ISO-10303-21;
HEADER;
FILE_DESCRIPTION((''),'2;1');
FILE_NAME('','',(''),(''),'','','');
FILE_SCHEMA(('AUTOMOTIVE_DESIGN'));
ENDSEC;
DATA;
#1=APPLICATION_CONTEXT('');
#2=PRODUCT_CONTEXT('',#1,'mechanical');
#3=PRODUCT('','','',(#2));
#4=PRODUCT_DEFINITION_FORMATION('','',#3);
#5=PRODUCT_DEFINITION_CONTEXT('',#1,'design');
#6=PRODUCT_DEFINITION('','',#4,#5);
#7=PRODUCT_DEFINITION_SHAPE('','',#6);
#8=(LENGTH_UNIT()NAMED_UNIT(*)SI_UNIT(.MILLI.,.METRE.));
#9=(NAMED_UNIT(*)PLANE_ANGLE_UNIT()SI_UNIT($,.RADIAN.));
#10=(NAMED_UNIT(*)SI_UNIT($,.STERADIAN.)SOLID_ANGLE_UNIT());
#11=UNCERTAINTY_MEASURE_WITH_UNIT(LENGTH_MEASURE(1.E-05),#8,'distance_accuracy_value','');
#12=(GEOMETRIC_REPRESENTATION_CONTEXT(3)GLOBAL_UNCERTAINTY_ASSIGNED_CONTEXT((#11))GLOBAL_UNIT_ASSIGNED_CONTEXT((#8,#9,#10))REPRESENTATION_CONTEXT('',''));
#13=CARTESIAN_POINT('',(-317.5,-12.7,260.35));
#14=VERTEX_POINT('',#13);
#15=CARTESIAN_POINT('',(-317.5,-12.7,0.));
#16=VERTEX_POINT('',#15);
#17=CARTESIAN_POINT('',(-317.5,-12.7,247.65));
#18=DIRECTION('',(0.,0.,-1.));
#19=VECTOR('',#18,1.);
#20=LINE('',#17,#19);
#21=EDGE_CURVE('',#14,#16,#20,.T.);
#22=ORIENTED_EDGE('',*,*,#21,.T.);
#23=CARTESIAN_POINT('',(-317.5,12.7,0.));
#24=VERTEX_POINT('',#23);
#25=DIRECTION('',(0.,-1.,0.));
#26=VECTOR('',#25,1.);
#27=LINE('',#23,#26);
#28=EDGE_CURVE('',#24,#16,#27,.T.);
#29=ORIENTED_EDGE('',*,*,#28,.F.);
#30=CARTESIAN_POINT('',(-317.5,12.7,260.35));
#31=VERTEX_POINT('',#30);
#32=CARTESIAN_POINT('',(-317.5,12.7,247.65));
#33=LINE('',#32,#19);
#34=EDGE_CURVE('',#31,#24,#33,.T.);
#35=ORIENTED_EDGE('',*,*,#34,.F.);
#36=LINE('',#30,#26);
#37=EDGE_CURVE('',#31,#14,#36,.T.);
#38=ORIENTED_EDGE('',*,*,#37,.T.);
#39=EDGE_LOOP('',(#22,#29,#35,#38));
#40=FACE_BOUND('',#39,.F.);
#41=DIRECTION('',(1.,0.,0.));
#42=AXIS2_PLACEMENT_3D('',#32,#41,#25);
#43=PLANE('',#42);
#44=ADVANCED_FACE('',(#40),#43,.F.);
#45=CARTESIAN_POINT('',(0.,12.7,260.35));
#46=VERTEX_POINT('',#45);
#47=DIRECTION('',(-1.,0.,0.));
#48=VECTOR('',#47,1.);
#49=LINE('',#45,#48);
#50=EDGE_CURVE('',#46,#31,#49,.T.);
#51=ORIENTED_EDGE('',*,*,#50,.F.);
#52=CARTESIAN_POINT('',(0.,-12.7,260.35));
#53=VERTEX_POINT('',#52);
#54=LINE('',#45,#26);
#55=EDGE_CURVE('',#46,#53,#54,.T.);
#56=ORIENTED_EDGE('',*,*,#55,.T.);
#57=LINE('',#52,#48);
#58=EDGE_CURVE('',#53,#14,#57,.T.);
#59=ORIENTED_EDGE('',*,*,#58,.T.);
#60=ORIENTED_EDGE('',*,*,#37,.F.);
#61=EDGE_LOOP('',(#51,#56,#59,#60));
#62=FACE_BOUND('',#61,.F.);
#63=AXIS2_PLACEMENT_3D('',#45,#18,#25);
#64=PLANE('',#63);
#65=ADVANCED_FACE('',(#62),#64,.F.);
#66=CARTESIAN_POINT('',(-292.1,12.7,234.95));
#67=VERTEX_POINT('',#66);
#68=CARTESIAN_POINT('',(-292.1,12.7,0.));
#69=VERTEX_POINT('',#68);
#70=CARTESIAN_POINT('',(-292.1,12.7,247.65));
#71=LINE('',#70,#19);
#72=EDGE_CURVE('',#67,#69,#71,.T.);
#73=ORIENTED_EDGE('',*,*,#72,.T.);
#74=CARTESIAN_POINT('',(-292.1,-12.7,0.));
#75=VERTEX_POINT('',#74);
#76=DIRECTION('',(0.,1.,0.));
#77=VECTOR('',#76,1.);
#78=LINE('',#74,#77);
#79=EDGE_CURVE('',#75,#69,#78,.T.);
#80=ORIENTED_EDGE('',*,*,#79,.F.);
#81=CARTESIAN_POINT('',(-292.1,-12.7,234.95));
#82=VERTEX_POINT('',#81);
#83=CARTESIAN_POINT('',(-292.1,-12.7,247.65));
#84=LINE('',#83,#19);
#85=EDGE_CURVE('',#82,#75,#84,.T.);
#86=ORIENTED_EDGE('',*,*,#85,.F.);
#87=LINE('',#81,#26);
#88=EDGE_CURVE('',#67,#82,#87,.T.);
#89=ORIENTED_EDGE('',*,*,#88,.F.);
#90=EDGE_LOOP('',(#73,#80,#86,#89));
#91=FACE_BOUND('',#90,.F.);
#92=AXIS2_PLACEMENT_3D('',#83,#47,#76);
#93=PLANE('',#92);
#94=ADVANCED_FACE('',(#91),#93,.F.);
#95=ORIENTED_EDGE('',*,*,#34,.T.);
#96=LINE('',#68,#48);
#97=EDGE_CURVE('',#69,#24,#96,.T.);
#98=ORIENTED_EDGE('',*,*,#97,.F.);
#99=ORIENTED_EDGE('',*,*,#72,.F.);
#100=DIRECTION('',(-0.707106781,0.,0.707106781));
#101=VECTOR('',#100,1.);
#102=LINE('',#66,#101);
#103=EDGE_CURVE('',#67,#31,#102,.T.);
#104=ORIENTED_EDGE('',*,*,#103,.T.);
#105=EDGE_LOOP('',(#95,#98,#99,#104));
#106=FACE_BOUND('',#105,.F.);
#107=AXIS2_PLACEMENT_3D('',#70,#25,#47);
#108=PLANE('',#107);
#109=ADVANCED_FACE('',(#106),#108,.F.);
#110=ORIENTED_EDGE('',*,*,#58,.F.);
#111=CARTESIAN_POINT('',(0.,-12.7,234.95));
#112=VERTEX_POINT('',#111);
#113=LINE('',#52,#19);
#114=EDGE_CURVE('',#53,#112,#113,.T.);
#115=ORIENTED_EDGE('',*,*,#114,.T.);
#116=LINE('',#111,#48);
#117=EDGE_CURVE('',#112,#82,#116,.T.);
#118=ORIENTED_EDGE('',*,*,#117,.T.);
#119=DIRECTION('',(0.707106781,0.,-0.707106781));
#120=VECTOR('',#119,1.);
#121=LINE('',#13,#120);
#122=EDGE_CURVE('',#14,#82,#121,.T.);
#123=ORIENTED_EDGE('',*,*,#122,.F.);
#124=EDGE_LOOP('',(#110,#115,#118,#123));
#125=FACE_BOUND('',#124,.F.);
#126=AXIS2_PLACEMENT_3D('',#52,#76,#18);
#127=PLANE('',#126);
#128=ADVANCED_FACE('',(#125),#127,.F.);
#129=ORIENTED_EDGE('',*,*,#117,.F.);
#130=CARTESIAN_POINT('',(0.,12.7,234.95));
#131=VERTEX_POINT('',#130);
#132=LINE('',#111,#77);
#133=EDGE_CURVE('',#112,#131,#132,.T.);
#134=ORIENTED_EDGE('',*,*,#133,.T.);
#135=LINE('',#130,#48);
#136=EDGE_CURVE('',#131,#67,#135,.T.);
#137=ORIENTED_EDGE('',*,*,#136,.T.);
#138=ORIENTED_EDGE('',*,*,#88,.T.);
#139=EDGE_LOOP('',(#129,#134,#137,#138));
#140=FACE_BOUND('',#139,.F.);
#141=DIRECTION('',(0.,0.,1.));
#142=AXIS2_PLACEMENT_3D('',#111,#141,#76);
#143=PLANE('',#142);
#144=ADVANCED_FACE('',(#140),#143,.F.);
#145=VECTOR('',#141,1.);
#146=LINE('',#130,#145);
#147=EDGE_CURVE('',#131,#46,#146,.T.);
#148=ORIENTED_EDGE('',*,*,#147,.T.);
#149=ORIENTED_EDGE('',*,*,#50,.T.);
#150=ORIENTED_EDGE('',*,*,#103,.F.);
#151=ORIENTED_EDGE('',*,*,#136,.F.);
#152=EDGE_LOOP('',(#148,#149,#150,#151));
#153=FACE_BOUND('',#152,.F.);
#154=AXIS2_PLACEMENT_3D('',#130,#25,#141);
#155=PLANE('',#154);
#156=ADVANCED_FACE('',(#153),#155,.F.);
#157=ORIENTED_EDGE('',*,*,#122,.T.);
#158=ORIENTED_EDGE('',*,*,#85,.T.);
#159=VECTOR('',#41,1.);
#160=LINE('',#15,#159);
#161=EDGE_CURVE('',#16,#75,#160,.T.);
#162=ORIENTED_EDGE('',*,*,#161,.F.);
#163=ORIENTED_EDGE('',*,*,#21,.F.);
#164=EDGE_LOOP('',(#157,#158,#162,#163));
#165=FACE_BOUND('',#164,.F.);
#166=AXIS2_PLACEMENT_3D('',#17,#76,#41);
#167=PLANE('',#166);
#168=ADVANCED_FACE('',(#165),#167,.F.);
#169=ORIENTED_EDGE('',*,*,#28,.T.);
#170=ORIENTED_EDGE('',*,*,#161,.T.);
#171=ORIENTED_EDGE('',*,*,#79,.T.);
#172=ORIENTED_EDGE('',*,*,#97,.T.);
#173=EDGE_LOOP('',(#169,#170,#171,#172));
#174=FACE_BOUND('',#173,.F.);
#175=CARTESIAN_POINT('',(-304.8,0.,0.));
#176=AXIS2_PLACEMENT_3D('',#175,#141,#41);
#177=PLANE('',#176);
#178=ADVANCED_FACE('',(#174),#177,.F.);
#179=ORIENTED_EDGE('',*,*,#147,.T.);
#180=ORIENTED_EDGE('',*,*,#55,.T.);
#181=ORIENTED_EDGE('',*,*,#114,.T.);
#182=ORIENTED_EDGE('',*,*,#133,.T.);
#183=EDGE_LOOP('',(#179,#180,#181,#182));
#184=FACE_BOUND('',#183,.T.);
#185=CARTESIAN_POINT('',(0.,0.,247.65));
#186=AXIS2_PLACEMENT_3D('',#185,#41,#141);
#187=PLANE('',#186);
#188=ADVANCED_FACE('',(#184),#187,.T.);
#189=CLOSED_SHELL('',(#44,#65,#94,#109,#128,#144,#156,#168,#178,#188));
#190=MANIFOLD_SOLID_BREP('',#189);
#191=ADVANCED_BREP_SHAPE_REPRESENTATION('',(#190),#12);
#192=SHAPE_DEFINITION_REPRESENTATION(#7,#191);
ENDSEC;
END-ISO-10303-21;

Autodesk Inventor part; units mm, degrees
ref_plane "XZ Plane" through (0, 0, 0) normal (0, 1, 0) x (-1, 0, 0)
sketch "Sketch5" plane through (0, 0, 0) normal (0, 1, 0) x (-1, 0, 0)
  line L0 (0, 0) -> (0, 247.65) construction
  line L1 (0, 0) -> (304.8, 0) construction
  line L2 (0, 247.65) -> (304.8, 247.65)
  line L3 (304.8, 247.65) -> (304.8, 0)
  dimension "d11" = 247.65
  dimension "d12" = 304.8
sketch "Sketch6" plane through (0, 0, 0) normal (1, 0, 0) x (0, 1, 0)
  line L0 (-12.7, 260.35) -> (-12.7, 234.95)
  line L1 (-12.7, 234.95) -> (12.7, 234.95)
  line L2 (12.7, 234.95) -> (12.7, 260.35)
  line L3 (12.7, 260.35) -> (-12.7, 260.35)
  line L4 (-12.7, 260.35) -> (12.7, 234.95) construction
  line L5 (-12.7, 234.95) -> (12.7, 260.35) construction
  point P0 (0, 0)
  point P1 (0, 247.65)
  dimension "d13" = 25.4
  dimension "d14" = 25.4
  dimension "d15" = 247.65
sweep "Sweep2" add profiles "Sketch6" path "Sketch5"
ref_plane "Work Plane1" through (-304.8, 0, 0) normal (1, 0, 0) x (0, 1, 0)
equation "\"d11\" = width"
equation "\"d12\" = length"
equation "\"d15\" = width"
equation "\"width\" = 247.65"
equation "\"length\" = 304.8"
equation "\"d18\" = -length"
equation "\"height\" = 241.3"
properties part number "topOfFrame"
